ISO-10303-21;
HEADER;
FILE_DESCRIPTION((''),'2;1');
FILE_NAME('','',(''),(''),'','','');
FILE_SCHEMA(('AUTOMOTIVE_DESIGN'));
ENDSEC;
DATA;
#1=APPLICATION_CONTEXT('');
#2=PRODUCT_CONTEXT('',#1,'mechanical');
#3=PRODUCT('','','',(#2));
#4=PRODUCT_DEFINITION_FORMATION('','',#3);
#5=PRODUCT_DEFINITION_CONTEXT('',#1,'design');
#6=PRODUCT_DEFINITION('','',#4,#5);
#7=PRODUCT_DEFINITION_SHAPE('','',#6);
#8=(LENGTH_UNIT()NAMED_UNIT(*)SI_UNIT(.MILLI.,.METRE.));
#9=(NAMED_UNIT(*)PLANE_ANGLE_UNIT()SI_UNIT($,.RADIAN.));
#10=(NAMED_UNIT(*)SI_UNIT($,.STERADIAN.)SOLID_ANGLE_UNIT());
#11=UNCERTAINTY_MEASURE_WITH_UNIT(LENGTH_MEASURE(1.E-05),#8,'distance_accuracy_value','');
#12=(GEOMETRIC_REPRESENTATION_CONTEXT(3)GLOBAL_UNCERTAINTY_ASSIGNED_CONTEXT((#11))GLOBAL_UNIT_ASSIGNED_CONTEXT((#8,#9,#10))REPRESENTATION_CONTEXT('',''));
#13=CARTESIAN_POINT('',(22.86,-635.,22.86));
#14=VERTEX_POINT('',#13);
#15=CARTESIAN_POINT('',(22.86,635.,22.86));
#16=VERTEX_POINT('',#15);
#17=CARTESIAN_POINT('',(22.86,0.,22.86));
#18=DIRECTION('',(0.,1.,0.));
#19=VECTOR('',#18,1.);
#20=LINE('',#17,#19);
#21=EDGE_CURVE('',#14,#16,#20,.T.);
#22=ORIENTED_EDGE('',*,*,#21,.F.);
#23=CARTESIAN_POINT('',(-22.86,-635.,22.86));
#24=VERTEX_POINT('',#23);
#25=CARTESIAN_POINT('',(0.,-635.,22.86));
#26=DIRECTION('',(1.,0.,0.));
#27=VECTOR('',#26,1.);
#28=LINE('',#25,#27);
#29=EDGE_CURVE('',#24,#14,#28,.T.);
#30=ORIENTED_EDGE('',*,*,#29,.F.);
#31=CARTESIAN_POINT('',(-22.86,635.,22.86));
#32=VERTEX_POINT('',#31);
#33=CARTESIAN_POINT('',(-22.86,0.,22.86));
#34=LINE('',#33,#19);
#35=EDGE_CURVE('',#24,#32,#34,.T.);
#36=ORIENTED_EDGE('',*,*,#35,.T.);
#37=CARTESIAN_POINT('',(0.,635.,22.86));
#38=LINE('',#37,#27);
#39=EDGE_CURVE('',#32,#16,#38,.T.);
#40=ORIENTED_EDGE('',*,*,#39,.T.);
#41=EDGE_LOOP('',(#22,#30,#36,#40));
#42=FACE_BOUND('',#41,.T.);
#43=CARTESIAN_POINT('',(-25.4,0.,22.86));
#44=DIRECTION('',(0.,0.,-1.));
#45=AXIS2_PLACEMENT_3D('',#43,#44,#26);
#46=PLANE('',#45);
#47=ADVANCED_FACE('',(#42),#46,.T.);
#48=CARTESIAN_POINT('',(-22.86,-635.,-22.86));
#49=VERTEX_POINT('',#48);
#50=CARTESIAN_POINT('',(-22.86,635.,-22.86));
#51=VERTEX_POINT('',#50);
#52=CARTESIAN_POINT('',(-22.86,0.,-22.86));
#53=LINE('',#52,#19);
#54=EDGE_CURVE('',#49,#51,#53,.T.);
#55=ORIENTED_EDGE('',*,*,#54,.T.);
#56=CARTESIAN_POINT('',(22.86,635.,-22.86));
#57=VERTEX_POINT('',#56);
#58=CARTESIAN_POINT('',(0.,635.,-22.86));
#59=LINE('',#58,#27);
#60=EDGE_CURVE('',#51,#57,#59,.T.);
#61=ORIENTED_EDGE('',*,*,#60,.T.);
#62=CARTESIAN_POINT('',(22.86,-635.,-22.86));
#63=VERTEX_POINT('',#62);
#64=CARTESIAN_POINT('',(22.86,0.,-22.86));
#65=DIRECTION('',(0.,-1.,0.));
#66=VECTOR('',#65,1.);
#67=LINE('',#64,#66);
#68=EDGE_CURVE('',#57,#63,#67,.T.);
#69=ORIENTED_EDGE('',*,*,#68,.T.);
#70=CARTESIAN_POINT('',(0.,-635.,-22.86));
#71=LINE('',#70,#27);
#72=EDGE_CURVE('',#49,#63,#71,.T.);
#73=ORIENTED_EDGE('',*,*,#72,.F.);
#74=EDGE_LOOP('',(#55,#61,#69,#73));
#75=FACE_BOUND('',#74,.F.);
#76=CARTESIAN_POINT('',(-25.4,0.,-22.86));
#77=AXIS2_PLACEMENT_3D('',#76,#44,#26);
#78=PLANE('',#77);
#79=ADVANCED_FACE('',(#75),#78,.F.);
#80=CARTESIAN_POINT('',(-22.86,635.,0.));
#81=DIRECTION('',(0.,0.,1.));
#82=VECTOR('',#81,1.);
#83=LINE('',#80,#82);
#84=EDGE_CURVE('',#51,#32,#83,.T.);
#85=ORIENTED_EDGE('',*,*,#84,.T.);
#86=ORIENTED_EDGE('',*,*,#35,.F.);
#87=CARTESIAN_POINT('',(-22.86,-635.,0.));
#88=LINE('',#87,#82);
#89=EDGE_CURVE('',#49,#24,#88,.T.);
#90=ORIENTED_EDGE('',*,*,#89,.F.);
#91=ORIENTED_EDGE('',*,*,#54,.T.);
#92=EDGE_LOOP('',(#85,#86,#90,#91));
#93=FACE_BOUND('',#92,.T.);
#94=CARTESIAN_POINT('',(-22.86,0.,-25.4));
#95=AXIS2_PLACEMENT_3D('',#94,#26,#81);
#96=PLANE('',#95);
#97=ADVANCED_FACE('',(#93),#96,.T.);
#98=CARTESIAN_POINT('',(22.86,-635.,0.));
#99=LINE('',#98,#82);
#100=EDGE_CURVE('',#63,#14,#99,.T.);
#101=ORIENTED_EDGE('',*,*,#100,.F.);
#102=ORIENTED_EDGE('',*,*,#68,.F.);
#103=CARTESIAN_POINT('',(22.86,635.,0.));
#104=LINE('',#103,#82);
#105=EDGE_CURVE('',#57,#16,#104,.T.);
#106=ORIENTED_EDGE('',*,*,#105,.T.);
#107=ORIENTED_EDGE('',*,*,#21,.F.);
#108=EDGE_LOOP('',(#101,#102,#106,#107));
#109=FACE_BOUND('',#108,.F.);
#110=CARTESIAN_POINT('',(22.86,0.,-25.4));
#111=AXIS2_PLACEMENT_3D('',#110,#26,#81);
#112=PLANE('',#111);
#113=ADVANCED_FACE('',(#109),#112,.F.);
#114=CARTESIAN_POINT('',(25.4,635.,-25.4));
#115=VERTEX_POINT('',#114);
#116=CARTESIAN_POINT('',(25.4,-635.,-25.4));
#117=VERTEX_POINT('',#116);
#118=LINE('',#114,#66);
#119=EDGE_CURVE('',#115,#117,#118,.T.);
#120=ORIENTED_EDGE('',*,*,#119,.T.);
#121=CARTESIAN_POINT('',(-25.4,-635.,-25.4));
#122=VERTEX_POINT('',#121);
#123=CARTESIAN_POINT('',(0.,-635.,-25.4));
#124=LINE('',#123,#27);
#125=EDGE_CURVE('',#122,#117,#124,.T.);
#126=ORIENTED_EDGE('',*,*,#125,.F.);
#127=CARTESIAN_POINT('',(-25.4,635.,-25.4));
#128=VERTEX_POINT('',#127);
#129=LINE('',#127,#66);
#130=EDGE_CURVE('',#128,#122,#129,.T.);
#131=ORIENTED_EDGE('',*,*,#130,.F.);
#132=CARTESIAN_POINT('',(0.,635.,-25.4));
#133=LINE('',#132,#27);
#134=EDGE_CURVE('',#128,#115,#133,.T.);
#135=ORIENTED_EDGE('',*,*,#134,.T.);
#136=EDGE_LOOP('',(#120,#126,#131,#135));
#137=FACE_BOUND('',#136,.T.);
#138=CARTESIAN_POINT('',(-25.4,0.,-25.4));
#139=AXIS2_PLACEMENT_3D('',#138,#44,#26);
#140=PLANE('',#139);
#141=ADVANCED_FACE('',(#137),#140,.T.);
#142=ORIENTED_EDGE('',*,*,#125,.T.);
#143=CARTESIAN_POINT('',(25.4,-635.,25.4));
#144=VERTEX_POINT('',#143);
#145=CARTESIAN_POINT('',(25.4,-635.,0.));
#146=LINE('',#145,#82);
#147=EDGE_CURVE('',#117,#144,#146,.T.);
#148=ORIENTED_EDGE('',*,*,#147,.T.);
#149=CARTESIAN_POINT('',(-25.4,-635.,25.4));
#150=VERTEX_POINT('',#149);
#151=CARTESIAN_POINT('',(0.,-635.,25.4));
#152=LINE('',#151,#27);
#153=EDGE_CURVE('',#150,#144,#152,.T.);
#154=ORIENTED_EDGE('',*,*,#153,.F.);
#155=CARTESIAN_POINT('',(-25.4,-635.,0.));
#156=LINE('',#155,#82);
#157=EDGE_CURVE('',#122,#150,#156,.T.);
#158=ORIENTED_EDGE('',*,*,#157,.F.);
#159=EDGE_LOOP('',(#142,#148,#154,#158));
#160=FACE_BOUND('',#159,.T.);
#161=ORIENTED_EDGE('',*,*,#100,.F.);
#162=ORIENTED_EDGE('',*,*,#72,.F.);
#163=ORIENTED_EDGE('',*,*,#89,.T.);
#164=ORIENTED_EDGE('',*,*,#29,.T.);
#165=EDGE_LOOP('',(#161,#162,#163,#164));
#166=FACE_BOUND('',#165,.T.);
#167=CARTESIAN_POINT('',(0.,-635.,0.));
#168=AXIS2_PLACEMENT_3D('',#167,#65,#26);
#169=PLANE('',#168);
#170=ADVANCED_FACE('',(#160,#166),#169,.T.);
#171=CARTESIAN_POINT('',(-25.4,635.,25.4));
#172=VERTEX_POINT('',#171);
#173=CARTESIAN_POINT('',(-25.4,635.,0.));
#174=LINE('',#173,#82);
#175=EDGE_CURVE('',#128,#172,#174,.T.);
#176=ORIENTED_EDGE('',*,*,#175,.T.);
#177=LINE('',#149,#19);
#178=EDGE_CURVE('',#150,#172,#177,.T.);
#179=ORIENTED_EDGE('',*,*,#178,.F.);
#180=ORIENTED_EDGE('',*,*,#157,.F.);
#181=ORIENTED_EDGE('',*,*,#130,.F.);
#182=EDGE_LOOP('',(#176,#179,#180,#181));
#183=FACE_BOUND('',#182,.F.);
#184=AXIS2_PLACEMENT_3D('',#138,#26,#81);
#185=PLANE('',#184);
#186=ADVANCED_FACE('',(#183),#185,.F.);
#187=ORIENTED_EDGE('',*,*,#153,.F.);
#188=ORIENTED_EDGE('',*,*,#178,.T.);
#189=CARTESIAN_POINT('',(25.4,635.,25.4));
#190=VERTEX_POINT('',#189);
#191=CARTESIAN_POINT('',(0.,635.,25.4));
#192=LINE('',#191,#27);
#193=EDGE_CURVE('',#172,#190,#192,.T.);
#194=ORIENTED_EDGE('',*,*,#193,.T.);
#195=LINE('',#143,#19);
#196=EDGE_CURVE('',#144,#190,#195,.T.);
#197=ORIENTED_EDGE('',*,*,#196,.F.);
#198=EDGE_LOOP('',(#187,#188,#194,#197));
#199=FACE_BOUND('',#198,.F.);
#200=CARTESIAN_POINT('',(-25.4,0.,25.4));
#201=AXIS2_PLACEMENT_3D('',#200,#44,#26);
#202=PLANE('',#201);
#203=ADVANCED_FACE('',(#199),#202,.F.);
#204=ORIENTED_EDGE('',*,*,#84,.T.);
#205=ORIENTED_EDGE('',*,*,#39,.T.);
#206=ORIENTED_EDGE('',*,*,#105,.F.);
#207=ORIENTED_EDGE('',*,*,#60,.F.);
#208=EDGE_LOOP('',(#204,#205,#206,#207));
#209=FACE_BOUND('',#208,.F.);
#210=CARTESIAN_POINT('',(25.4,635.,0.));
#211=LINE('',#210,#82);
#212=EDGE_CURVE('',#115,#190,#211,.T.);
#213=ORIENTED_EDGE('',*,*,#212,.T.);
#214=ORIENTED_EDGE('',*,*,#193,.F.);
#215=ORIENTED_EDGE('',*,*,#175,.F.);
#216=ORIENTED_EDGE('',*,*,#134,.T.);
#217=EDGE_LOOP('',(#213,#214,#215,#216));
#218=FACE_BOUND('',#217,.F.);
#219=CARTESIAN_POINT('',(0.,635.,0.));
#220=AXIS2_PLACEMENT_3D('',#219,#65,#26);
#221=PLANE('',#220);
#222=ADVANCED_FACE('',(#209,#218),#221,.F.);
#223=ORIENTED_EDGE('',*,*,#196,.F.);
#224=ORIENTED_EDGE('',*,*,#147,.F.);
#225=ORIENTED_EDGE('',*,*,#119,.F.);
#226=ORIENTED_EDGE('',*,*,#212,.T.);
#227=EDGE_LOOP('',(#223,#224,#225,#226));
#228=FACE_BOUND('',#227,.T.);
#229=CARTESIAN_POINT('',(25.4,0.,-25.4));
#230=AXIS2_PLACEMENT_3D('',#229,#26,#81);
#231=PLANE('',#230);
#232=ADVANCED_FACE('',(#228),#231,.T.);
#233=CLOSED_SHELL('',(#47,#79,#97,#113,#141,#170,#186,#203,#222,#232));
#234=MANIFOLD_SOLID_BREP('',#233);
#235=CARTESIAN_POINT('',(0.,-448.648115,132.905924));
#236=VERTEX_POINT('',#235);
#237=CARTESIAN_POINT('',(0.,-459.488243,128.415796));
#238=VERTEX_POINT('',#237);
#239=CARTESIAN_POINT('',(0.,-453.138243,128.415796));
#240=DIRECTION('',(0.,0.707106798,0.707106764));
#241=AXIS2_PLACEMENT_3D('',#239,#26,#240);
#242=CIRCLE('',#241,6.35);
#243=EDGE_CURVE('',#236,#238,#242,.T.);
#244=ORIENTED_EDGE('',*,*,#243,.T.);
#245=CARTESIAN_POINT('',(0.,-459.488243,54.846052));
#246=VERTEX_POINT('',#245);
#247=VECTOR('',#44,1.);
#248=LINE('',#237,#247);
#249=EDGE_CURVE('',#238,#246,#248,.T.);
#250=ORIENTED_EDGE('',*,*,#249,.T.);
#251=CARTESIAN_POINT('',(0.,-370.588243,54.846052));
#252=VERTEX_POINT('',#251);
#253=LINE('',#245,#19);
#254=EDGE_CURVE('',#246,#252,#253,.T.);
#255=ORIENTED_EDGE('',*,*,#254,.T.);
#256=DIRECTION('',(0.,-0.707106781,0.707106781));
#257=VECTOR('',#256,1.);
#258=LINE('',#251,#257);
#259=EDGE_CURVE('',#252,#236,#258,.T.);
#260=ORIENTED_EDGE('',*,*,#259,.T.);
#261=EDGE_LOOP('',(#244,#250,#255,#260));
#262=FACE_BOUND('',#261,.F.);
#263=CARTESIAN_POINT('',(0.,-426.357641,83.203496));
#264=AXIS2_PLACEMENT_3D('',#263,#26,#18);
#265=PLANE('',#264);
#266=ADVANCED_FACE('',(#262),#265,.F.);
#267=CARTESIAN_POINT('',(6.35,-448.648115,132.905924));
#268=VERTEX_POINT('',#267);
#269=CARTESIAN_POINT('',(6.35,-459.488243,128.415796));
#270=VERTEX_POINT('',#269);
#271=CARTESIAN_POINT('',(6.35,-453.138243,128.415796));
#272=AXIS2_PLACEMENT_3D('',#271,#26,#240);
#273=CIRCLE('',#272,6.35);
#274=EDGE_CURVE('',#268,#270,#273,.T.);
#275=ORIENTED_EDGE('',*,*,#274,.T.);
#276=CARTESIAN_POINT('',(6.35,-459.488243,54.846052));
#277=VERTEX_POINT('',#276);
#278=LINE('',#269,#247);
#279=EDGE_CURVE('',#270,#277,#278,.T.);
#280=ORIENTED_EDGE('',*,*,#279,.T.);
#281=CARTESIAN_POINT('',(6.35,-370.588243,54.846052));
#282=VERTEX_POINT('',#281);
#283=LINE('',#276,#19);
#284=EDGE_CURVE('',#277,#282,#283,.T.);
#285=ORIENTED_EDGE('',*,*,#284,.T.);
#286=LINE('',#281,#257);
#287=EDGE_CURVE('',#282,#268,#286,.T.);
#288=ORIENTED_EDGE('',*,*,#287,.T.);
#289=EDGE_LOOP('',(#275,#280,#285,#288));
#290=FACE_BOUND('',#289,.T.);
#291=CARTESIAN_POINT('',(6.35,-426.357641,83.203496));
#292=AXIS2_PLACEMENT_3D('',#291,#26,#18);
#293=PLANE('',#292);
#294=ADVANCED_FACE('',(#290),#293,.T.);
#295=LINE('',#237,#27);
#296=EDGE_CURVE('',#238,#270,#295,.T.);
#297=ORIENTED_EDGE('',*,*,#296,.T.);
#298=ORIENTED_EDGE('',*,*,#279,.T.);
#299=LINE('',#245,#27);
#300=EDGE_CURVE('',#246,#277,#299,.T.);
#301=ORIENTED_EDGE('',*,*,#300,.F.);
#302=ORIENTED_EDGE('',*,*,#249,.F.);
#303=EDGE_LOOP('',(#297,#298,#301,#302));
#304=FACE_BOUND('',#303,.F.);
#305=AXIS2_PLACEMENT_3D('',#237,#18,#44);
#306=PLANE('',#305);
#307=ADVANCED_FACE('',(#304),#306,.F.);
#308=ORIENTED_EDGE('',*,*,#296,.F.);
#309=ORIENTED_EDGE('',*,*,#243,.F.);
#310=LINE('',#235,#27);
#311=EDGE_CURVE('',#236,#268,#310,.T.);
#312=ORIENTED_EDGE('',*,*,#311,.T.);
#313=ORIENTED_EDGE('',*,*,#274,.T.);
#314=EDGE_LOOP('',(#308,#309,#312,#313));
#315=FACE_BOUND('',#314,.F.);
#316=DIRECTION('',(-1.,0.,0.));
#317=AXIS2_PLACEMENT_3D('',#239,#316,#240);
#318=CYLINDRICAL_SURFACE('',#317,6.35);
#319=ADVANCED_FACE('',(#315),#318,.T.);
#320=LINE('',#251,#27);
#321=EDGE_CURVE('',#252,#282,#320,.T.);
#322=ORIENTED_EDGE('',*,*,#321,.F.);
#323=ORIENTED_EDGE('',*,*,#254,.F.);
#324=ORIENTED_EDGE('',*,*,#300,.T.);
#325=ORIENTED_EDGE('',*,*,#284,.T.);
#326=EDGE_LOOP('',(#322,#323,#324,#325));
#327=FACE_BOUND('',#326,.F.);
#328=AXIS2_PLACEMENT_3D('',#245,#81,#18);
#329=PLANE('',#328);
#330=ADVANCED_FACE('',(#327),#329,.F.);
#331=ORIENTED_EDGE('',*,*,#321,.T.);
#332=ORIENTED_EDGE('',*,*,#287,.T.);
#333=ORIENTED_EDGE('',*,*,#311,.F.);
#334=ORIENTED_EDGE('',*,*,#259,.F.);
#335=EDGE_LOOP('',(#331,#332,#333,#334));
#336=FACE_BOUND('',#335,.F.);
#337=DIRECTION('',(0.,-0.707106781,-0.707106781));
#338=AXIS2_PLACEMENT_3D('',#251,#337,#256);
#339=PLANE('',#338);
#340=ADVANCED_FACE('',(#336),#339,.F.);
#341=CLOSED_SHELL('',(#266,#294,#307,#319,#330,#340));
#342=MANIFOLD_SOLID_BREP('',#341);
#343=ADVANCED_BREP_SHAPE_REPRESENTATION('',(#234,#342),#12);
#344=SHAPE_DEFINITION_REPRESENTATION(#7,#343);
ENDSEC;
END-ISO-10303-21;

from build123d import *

# Parameters (mm, degrees)
F0_W     = 50.8
F0_H     = 50.8
F1_DEPTH = 635
F2_T     = -2.54
F4_DEPTH = 6.35


with BuildPart() as f1:
    # F0 (on Front) → F1 (new body, symmetric)
    with BuildSketch(Plane.XZ):
        Rectangle(F0_W, F0_H)
    extrude(amount=F1_DEPTH, both=True)

    # F2
    f2_openings = [f1.faces().sort_by_distance(p)[0] for p in [
        (0, -635, 0),
        (0, 635, 0),
    ]]
    offset(amount=F2_T, openings=f2_openings)


with BuildPart() as f4:
    # F3 (on Right) → F4 (new body)
    with BuildSketch(Plane.YZ):
        with BuildLine():
            ThreePointArc((-448.648115, 132.905924), (-455.568283, 134.282431), (-459.488243, 128.415796))
            Line((-459.488243, 128.415796), (-459.488243, 54.846052))
            Line((-459.488243, 54.846052), (-370.588243, 54.846052))
            Line((-370.588243, 54.846052), (-448.648115, 132.905924))
        make_face()
    extrude(amount=F4_DEPTH)


solid = Compound([f1.part, f4.part])
